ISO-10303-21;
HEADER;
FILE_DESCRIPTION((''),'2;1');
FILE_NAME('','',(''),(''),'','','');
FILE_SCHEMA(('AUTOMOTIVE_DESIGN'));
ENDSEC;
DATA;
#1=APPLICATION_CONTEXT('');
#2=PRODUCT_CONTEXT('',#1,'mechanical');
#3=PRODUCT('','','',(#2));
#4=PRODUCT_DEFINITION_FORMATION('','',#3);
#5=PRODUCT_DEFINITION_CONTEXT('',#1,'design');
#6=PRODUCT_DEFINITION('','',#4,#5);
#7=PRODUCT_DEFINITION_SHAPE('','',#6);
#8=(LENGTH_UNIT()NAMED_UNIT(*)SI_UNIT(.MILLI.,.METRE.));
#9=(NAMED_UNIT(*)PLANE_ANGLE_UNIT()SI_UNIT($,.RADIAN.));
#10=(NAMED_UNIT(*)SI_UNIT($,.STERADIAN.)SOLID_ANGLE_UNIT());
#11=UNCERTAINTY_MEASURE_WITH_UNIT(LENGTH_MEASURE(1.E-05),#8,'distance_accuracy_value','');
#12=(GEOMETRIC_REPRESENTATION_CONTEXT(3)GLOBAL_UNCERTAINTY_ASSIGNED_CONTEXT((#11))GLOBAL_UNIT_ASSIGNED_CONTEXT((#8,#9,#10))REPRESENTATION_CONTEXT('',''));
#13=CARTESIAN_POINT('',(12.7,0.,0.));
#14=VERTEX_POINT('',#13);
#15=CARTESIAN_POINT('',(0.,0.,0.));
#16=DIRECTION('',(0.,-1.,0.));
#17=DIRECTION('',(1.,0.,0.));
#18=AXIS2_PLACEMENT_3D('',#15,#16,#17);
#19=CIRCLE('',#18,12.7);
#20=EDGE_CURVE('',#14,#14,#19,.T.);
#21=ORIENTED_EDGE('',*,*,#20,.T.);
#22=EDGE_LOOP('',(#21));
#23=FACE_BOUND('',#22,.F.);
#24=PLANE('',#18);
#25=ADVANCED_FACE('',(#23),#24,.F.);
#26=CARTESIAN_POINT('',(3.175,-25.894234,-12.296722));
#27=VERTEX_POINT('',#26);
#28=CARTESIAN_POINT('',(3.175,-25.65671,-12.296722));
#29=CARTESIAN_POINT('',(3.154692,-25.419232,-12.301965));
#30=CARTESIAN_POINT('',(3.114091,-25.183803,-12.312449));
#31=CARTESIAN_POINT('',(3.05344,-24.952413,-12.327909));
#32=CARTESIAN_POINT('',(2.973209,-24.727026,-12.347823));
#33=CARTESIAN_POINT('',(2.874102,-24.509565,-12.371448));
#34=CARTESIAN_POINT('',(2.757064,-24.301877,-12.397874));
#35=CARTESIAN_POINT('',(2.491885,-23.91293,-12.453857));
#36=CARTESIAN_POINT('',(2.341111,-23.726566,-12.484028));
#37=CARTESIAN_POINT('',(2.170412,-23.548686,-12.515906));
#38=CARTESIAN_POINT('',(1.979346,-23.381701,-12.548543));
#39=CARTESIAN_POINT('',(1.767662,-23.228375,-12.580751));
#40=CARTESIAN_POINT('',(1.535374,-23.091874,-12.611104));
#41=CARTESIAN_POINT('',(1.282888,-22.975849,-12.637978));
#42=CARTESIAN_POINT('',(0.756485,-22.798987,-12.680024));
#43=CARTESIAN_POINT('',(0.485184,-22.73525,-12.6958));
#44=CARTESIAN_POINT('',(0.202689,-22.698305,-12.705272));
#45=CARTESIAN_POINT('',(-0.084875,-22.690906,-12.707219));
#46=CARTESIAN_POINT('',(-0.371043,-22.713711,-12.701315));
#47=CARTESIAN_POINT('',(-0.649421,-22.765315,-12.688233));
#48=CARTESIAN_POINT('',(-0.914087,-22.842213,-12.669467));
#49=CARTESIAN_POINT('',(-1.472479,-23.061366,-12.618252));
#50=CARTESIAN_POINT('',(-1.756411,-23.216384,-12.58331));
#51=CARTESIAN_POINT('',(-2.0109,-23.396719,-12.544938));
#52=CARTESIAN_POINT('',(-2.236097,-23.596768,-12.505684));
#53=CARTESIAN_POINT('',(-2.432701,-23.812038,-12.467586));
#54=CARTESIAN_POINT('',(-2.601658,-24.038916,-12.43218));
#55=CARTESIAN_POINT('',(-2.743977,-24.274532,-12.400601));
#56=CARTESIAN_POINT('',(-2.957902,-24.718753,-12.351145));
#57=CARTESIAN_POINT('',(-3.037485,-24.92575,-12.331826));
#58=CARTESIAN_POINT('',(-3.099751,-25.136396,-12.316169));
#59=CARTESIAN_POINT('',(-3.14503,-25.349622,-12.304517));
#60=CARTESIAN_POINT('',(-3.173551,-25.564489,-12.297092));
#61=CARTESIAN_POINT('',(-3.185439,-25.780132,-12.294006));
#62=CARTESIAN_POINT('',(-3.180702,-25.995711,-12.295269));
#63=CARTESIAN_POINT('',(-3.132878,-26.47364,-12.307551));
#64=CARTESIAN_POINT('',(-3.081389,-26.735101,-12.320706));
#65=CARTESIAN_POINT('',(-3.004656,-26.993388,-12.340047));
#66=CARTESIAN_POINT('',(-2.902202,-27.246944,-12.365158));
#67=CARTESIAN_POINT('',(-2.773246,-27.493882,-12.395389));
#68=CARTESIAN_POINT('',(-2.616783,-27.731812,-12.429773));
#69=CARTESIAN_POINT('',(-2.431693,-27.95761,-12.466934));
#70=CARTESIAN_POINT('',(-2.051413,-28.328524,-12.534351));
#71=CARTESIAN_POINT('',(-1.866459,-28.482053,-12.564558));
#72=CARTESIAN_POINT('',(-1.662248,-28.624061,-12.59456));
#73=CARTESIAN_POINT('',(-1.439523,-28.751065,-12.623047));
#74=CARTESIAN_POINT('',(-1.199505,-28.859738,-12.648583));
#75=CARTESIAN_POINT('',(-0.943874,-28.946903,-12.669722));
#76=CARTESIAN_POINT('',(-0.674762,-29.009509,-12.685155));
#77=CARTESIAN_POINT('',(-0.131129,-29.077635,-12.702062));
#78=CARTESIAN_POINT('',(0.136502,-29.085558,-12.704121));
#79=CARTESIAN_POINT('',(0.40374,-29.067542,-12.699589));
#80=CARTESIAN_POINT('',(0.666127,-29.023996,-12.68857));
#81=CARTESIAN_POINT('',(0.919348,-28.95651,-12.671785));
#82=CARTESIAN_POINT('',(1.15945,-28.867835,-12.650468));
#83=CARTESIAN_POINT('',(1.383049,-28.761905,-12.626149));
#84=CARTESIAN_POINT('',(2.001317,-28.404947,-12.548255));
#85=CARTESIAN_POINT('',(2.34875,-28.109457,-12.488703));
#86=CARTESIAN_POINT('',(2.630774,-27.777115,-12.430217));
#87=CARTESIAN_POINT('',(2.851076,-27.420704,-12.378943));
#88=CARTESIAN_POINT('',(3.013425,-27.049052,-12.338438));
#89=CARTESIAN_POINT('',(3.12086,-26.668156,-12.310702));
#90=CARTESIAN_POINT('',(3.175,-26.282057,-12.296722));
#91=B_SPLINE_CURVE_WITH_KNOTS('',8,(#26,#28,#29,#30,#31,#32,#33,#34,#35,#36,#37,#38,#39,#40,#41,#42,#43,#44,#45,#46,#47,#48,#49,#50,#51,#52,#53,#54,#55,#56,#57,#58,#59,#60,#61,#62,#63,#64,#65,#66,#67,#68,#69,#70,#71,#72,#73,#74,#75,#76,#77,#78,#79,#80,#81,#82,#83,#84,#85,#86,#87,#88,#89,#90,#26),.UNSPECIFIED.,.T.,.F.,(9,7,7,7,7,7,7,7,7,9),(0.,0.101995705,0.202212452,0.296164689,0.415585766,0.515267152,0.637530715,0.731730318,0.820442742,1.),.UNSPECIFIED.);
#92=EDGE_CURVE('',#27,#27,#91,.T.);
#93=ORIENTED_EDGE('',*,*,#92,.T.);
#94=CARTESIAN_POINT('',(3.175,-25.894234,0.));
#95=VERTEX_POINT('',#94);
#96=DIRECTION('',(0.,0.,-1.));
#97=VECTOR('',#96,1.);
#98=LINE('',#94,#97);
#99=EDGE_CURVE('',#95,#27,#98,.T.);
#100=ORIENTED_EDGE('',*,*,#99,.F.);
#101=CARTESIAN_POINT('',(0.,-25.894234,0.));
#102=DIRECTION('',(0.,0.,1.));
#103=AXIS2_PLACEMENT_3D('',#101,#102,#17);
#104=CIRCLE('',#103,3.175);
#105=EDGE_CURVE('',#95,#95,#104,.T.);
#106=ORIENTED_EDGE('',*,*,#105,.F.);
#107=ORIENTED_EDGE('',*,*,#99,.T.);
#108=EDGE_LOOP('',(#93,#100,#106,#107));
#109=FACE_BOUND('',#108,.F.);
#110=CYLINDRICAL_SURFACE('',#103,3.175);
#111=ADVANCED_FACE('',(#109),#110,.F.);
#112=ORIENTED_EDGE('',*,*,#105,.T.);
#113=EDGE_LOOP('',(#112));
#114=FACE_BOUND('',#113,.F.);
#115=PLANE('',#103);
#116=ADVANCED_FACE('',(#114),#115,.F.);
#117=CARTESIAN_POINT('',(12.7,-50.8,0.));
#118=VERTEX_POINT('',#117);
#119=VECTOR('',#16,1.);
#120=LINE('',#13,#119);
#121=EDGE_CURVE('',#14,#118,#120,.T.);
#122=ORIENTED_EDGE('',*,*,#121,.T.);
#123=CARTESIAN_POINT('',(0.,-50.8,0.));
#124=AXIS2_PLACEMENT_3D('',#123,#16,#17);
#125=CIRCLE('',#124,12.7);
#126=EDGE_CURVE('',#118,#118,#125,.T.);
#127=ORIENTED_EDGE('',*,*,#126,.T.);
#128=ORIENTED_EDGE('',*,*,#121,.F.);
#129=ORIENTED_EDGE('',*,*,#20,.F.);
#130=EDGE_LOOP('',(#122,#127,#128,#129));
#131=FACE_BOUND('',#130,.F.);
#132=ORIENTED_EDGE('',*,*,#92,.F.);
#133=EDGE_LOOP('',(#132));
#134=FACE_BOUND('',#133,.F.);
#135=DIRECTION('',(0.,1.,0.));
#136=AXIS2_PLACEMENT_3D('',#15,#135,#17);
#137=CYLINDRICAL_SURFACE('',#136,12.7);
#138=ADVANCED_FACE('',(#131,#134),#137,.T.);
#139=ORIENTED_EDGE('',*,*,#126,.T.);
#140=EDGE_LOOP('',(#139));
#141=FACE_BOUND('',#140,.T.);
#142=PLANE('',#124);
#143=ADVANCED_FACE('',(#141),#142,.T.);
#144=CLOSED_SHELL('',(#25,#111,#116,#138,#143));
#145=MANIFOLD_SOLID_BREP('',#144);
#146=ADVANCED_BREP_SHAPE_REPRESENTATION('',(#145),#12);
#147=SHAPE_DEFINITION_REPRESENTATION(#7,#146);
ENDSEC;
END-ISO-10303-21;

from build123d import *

# Parameters (mm, degrees)
F0_R     = 12.7
F1_DEPTH = 50.8
F2_R     = 3.175
F3_DEPTH = 25.4


with BuildPart() as f1:
    # F0 (on Front) → F1 (new body)
    with BuildSketch(Plane.XZ):
        Circle(F0_R)
    extrude(amount=F1_DEPTH)

    # F2 (on Top) → F3 (cut)
    with BuildSketch(Plane.XY):
        with Locations((0, -25.894234)):
            Circle(F2_R)
    extrude(amount=-F3_DEPTH, mode=Mode.SUBTRACT)


solid = f1.part
